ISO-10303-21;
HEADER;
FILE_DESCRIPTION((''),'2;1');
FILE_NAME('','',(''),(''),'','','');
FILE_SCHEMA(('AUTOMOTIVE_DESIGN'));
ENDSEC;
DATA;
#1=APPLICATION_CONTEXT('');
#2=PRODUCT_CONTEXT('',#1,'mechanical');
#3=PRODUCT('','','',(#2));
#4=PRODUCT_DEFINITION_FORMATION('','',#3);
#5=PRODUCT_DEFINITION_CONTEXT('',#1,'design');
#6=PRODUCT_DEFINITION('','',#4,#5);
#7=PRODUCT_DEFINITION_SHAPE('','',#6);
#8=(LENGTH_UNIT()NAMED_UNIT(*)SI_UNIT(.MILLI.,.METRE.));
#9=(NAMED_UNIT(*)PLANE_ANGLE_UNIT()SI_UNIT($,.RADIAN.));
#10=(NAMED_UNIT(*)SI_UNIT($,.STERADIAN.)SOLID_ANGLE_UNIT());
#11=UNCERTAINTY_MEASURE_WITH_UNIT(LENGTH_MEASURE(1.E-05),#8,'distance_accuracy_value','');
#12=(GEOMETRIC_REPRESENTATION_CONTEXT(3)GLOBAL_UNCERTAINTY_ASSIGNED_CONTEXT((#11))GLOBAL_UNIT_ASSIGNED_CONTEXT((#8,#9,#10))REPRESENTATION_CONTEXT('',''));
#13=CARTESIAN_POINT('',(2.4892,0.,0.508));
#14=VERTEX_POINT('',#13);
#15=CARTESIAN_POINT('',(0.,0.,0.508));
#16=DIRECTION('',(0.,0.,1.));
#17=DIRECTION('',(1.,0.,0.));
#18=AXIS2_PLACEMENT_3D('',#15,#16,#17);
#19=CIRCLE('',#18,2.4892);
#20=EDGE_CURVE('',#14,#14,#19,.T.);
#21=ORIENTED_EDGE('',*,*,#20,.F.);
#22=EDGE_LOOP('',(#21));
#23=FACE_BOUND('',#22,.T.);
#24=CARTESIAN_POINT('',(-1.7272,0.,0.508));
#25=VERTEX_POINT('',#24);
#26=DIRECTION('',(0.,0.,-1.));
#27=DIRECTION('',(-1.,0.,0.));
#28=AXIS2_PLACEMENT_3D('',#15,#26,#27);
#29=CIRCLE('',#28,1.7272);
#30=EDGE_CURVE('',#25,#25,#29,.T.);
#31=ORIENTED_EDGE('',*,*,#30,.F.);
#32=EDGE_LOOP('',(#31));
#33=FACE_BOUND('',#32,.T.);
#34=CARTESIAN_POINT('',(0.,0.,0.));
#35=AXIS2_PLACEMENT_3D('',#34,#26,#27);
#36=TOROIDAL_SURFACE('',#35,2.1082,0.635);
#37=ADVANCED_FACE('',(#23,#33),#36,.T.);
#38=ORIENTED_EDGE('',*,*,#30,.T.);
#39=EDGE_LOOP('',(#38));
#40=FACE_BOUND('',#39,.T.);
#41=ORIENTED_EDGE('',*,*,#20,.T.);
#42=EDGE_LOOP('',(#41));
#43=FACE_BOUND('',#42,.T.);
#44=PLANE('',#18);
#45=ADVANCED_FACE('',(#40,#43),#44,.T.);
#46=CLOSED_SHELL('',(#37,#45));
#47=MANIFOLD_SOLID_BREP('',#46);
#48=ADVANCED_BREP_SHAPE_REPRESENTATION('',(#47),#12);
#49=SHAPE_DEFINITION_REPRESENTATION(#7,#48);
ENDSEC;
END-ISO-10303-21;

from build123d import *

# Parameters (mm, degrees)
SKETCH2_R          = 0.635
SKETCH4_R          = 3.175
CUT_EXTRUDE3_DEPTH = 0.127


with BuildPart() as part:
    # Sketch2 → Revolve1 (revolve)
    with BuildSketch(Plane(origin=(0, 0, 0), x_dir=(1, 0, 0), z_dir=(0, 1, 0)), mode=Mode.PRIVATE) as revolve1_sk:
        with Locations((2.1082, 0)):
            Circle(SKETCH2_R)
    revolve(revolve1_sk.sketch.rotate(Axis((0, 0, 0), (0, 0, 1)), 180), axis=Axis((0, 0, 0), (0, 0, 1)))

    # Sketch4 → Cut-Extrude3 (cut, symmetric)
    with BuildSketch(Plane.XY.offset(0.635)):
        Circle(SKETCH4_R)
    extrude(amount=CUT_EXTRUDE3_DEPTH, both=True, mode=Mode.SUBTRACT)


solid = part.part
